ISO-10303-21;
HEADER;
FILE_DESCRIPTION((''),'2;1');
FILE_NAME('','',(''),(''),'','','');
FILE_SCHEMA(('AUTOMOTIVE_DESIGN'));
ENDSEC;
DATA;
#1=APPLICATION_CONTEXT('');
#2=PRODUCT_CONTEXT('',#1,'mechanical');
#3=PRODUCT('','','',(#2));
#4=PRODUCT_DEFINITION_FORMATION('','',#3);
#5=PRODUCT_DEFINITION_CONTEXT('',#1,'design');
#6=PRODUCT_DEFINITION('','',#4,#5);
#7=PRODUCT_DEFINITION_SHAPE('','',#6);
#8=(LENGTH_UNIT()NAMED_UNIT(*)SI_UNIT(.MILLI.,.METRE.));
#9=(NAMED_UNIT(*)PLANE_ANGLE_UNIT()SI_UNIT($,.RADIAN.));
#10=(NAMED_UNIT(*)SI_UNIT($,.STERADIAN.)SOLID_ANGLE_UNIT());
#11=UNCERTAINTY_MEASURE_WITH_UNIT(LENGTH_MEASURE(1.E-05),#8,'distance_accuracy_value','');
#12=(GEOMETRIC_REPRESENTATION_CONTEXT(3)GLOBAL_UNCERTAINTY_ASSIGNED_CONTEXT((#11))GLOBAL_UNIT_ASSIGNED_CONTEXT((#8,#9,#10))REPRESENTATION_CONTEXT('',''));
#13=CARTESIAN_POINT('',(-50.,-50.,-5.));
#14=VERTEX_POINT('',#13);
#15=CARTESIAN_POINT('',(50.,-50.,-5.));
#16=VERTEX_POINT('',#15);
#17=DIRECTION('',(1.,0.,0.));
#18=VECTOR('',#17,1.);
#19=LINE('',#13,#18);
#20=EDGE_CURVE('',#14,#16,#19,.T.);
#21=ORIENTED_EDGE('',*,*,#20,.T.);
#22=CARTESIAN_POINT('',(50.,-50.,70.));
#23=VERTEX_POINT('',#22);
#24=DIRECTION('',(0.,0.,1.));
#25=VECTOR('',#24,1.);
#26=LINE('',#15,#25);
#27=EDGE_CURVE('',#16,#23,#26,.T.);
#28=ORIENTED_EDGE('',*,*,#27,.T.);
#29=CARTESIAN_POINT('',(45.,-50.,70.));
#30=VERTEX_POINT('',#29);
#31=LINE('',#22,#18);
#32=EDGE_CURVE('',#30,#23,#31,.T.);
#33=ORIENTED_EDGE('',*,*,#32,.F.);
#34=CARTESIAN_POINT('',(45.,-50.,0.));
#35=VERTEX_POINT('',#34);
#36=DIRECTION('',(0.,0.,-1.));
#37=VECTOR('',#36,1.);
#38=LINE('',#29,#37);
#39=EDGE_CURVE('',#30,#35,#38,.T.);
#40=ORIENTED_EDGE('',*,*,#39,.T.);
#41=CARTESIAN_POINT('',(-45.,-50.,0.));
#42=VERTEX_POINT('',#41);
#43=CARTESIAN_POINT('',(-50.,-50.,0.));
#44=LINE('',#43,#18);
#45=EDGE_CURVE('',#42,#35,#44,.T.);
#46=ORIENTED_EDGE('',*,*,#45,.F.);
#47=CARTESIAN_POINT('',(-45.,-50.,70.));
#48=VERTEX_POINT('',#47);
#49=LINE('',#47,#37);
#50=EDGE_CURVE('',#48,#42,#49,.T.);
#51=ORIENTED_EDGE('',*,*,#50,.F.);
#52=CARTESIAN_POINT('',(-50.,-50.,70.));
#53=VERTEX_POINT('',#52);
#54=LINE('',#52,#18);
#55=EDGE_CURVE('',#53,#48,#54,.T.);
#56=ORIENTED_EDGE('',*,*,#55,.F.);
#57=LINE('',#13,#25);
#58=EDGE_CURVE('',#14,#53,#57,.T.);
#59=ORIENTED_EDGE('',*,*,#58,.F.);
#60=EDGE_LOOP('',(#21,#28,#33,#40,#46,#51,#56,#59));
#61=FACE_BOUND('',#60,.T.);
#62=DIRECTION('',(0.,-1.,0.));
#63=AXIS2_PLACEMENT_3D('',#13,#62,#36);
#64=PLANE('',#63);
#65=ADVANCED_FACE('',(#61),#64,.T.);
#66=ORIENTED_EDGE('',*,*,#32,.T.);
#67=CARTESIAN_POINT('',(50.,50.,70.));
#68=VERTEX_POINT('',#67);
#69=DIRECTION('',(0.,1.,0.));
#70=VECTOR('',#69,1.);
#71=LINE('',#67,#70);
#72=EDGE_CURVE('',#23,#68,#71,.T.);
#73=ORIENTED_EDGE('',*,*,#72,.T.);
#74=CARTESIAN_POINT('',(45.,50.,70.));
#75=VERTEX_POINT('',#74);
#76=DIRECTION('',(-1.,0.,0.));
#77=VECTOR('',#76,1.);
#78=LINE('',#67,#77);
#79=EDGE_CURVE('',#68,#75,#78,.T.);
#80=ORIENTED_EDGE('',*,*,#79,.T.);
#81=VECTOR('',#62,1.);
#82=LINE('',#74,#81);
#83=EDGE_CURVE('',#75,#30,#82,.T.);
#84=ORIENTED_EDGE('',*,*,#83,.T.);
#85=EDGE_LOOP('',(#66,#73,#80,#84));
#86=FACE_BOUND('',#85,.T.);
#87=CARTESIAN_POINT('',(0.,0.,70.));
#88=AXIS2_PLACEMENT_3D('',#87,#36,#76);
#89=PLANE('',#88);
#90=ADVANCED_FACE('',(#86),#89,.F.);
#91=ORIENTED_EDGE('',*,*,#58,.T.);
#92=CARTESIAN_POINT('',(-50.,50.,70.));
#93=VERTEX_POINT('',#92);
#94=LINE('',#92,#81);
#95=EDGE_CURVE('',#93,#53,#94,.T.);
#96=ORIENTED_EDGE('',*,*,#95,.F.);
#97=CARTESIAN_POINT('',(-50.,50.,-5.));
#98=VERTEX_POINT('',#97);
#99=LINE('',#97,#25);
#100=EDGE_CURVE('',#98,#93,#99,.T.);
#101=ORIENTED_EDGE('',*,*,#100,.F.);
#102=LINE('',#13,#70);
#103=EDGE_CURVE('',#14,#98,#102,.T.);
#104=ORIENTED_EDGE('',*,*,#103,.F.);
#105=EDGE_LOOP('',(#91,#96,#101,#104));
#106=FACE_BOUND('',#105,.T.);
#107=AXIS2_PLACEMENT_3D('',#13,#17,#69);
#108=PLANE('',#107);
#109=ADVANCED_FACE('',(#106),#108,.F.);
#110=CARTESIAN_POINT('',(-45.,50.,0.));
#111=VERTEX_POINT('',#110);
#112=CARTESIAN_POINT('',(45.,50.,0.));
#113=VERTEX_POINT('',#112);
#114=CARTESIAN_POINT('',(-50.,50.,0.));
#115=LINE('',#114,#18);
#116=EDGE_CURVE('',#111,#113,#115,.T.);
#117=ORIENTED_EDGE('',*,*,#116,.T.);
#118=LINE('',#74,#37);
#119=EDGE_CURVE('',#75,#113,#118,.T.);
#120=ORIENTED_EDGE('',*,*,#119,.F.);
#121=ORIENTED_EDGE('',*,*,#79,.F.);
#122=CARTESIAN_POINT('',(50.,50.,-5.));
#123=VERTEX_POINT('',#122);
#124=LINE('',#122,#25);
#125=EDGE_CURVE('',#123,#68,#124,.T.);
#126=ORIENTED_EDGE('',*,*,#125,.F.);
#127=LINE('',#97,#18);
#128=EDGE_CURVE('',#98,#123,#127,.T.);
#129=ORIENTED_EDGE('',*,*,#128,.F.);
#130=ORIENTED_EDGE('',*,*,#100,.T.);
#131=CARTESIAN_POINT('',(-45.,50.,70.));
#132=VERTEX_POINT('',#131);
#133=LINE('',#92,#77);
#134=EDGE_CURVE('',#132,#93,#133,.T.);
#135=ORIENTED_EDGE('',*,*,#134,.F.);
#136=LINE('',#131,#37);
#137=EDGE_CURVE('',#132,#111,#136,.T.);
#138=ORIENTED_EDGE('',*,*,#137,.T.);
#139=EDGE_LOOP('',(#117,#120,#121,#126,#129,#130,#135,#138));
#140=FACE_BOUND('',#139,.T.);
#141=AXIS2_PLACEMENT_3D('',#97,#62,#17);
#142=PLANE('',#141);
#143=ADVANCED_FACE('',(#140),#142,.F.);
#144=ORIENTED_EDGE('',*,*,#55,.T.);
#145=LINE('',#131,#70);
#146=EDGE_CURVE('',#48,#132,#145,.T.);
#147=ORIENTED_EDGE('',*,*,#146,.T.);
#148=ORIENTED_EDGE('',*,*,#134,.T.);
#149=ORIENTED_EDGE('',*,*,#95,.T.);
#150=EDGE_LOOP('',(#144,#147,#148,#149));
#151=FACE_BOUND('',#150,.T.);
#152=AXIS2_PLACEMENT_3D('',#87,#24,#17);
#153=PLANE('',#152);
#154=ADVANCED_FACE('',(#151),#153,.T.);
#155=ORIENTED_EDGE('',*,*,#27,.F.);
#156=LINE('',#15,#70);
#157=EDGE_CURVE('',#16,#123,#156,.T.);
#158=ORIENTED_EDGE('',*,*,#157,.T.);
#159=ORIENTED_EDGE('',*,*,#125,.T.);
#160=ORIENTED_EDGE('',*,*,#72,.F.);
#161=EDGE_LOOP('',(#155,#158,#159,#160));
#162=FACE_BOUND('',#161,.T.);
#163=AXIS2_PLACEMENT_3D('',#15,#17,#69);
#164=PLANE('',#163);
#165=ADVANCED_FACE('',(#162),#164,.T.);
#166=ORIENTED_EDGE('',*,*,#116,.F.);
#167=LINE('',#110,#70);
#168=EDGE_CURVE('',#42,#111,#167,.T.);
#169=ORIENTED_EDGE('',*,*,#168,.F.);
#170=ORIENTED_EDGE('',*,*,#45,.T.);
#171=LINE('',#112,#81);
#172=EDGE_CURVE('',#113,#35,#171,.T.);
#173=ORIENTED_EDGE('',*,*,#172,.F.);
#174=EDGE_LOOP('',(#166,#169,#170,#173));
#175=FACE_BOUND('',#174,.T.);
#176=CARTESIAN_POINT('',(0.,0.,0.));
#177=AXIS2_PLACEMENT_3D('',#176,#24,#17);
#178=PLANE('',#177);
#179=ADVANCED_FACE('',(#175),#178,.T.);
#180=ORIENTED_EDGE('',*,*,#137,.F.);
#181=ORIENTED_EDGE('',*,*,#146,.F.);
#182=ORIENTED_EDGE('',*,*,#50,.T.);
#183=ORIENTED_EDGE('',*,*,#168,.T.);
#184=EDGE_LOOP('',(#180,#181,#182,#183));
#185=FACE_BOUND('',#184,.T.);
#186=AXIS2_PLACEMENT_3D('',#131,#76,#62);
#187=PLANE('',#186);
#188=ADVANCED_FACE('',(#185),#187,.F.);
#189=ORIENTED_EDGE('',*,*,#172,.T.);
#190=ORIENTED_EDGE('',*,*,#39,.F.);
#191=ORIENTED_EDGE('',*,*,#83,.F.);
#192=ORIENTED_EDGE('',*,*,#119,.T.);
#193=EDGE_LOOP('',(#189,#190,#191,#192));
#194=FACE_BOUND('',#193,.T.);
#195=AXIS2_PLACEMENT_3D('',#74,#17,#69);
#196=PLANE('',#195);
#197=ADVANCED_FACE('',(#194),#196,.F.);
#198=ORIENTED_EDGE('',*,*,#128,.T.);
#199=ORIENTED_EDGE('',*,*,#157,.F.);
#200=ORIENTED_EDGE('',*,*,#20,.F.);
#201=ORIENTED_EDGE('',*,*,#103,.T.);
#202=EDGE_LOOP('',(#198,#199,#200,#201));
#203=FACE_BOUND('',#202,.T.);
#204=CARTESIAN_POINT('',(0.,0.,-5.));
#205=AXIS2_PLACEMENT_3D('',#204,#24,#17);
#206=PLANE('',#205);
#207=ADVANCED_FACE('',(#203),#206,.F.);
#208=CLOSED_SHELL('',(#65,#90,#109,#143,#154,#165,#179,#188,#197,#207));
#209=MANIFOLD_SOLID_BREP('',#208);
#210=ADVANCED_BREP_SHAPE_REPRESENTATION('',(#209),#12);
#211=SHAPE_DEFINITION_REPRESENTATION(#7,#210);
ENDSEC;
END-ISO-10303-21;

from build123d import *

# Parameters (mm, degrees)
SKETCH1_W           = 100
SKETCH1_H           = 100
BOSS_EXTRUDE1_DEPTH = 5
SKETCH2_W           = 5
SKETCH2_H           = 100
BOSS_EXTRUDE3_DEPTH = 70


with BuildPart() as part:
    # Sketch1 → Boss-Extrude1 (new body)
    with BuildSketch(Plane.XY):
        Rectangle(SKETCH1_W, SKETCH1_H)
    extrude(amount=-BOSS_EXTRUDE1_DEPTH)

    # Sketch2 → Boss-Extrude3 (add)
    with BuildSketch(Plane.XY):
        with Locations((-47.5, 0)):
            Rectangle(SKETCH2_W, SKETCH2_H)
        with Locations((47.5, 0)):
            Rectangle(SKETCH2_W, SKETCH2_H)
    extrude(amount=BOSS_EXTRUDE3_DEPTH)


solid = part.part
